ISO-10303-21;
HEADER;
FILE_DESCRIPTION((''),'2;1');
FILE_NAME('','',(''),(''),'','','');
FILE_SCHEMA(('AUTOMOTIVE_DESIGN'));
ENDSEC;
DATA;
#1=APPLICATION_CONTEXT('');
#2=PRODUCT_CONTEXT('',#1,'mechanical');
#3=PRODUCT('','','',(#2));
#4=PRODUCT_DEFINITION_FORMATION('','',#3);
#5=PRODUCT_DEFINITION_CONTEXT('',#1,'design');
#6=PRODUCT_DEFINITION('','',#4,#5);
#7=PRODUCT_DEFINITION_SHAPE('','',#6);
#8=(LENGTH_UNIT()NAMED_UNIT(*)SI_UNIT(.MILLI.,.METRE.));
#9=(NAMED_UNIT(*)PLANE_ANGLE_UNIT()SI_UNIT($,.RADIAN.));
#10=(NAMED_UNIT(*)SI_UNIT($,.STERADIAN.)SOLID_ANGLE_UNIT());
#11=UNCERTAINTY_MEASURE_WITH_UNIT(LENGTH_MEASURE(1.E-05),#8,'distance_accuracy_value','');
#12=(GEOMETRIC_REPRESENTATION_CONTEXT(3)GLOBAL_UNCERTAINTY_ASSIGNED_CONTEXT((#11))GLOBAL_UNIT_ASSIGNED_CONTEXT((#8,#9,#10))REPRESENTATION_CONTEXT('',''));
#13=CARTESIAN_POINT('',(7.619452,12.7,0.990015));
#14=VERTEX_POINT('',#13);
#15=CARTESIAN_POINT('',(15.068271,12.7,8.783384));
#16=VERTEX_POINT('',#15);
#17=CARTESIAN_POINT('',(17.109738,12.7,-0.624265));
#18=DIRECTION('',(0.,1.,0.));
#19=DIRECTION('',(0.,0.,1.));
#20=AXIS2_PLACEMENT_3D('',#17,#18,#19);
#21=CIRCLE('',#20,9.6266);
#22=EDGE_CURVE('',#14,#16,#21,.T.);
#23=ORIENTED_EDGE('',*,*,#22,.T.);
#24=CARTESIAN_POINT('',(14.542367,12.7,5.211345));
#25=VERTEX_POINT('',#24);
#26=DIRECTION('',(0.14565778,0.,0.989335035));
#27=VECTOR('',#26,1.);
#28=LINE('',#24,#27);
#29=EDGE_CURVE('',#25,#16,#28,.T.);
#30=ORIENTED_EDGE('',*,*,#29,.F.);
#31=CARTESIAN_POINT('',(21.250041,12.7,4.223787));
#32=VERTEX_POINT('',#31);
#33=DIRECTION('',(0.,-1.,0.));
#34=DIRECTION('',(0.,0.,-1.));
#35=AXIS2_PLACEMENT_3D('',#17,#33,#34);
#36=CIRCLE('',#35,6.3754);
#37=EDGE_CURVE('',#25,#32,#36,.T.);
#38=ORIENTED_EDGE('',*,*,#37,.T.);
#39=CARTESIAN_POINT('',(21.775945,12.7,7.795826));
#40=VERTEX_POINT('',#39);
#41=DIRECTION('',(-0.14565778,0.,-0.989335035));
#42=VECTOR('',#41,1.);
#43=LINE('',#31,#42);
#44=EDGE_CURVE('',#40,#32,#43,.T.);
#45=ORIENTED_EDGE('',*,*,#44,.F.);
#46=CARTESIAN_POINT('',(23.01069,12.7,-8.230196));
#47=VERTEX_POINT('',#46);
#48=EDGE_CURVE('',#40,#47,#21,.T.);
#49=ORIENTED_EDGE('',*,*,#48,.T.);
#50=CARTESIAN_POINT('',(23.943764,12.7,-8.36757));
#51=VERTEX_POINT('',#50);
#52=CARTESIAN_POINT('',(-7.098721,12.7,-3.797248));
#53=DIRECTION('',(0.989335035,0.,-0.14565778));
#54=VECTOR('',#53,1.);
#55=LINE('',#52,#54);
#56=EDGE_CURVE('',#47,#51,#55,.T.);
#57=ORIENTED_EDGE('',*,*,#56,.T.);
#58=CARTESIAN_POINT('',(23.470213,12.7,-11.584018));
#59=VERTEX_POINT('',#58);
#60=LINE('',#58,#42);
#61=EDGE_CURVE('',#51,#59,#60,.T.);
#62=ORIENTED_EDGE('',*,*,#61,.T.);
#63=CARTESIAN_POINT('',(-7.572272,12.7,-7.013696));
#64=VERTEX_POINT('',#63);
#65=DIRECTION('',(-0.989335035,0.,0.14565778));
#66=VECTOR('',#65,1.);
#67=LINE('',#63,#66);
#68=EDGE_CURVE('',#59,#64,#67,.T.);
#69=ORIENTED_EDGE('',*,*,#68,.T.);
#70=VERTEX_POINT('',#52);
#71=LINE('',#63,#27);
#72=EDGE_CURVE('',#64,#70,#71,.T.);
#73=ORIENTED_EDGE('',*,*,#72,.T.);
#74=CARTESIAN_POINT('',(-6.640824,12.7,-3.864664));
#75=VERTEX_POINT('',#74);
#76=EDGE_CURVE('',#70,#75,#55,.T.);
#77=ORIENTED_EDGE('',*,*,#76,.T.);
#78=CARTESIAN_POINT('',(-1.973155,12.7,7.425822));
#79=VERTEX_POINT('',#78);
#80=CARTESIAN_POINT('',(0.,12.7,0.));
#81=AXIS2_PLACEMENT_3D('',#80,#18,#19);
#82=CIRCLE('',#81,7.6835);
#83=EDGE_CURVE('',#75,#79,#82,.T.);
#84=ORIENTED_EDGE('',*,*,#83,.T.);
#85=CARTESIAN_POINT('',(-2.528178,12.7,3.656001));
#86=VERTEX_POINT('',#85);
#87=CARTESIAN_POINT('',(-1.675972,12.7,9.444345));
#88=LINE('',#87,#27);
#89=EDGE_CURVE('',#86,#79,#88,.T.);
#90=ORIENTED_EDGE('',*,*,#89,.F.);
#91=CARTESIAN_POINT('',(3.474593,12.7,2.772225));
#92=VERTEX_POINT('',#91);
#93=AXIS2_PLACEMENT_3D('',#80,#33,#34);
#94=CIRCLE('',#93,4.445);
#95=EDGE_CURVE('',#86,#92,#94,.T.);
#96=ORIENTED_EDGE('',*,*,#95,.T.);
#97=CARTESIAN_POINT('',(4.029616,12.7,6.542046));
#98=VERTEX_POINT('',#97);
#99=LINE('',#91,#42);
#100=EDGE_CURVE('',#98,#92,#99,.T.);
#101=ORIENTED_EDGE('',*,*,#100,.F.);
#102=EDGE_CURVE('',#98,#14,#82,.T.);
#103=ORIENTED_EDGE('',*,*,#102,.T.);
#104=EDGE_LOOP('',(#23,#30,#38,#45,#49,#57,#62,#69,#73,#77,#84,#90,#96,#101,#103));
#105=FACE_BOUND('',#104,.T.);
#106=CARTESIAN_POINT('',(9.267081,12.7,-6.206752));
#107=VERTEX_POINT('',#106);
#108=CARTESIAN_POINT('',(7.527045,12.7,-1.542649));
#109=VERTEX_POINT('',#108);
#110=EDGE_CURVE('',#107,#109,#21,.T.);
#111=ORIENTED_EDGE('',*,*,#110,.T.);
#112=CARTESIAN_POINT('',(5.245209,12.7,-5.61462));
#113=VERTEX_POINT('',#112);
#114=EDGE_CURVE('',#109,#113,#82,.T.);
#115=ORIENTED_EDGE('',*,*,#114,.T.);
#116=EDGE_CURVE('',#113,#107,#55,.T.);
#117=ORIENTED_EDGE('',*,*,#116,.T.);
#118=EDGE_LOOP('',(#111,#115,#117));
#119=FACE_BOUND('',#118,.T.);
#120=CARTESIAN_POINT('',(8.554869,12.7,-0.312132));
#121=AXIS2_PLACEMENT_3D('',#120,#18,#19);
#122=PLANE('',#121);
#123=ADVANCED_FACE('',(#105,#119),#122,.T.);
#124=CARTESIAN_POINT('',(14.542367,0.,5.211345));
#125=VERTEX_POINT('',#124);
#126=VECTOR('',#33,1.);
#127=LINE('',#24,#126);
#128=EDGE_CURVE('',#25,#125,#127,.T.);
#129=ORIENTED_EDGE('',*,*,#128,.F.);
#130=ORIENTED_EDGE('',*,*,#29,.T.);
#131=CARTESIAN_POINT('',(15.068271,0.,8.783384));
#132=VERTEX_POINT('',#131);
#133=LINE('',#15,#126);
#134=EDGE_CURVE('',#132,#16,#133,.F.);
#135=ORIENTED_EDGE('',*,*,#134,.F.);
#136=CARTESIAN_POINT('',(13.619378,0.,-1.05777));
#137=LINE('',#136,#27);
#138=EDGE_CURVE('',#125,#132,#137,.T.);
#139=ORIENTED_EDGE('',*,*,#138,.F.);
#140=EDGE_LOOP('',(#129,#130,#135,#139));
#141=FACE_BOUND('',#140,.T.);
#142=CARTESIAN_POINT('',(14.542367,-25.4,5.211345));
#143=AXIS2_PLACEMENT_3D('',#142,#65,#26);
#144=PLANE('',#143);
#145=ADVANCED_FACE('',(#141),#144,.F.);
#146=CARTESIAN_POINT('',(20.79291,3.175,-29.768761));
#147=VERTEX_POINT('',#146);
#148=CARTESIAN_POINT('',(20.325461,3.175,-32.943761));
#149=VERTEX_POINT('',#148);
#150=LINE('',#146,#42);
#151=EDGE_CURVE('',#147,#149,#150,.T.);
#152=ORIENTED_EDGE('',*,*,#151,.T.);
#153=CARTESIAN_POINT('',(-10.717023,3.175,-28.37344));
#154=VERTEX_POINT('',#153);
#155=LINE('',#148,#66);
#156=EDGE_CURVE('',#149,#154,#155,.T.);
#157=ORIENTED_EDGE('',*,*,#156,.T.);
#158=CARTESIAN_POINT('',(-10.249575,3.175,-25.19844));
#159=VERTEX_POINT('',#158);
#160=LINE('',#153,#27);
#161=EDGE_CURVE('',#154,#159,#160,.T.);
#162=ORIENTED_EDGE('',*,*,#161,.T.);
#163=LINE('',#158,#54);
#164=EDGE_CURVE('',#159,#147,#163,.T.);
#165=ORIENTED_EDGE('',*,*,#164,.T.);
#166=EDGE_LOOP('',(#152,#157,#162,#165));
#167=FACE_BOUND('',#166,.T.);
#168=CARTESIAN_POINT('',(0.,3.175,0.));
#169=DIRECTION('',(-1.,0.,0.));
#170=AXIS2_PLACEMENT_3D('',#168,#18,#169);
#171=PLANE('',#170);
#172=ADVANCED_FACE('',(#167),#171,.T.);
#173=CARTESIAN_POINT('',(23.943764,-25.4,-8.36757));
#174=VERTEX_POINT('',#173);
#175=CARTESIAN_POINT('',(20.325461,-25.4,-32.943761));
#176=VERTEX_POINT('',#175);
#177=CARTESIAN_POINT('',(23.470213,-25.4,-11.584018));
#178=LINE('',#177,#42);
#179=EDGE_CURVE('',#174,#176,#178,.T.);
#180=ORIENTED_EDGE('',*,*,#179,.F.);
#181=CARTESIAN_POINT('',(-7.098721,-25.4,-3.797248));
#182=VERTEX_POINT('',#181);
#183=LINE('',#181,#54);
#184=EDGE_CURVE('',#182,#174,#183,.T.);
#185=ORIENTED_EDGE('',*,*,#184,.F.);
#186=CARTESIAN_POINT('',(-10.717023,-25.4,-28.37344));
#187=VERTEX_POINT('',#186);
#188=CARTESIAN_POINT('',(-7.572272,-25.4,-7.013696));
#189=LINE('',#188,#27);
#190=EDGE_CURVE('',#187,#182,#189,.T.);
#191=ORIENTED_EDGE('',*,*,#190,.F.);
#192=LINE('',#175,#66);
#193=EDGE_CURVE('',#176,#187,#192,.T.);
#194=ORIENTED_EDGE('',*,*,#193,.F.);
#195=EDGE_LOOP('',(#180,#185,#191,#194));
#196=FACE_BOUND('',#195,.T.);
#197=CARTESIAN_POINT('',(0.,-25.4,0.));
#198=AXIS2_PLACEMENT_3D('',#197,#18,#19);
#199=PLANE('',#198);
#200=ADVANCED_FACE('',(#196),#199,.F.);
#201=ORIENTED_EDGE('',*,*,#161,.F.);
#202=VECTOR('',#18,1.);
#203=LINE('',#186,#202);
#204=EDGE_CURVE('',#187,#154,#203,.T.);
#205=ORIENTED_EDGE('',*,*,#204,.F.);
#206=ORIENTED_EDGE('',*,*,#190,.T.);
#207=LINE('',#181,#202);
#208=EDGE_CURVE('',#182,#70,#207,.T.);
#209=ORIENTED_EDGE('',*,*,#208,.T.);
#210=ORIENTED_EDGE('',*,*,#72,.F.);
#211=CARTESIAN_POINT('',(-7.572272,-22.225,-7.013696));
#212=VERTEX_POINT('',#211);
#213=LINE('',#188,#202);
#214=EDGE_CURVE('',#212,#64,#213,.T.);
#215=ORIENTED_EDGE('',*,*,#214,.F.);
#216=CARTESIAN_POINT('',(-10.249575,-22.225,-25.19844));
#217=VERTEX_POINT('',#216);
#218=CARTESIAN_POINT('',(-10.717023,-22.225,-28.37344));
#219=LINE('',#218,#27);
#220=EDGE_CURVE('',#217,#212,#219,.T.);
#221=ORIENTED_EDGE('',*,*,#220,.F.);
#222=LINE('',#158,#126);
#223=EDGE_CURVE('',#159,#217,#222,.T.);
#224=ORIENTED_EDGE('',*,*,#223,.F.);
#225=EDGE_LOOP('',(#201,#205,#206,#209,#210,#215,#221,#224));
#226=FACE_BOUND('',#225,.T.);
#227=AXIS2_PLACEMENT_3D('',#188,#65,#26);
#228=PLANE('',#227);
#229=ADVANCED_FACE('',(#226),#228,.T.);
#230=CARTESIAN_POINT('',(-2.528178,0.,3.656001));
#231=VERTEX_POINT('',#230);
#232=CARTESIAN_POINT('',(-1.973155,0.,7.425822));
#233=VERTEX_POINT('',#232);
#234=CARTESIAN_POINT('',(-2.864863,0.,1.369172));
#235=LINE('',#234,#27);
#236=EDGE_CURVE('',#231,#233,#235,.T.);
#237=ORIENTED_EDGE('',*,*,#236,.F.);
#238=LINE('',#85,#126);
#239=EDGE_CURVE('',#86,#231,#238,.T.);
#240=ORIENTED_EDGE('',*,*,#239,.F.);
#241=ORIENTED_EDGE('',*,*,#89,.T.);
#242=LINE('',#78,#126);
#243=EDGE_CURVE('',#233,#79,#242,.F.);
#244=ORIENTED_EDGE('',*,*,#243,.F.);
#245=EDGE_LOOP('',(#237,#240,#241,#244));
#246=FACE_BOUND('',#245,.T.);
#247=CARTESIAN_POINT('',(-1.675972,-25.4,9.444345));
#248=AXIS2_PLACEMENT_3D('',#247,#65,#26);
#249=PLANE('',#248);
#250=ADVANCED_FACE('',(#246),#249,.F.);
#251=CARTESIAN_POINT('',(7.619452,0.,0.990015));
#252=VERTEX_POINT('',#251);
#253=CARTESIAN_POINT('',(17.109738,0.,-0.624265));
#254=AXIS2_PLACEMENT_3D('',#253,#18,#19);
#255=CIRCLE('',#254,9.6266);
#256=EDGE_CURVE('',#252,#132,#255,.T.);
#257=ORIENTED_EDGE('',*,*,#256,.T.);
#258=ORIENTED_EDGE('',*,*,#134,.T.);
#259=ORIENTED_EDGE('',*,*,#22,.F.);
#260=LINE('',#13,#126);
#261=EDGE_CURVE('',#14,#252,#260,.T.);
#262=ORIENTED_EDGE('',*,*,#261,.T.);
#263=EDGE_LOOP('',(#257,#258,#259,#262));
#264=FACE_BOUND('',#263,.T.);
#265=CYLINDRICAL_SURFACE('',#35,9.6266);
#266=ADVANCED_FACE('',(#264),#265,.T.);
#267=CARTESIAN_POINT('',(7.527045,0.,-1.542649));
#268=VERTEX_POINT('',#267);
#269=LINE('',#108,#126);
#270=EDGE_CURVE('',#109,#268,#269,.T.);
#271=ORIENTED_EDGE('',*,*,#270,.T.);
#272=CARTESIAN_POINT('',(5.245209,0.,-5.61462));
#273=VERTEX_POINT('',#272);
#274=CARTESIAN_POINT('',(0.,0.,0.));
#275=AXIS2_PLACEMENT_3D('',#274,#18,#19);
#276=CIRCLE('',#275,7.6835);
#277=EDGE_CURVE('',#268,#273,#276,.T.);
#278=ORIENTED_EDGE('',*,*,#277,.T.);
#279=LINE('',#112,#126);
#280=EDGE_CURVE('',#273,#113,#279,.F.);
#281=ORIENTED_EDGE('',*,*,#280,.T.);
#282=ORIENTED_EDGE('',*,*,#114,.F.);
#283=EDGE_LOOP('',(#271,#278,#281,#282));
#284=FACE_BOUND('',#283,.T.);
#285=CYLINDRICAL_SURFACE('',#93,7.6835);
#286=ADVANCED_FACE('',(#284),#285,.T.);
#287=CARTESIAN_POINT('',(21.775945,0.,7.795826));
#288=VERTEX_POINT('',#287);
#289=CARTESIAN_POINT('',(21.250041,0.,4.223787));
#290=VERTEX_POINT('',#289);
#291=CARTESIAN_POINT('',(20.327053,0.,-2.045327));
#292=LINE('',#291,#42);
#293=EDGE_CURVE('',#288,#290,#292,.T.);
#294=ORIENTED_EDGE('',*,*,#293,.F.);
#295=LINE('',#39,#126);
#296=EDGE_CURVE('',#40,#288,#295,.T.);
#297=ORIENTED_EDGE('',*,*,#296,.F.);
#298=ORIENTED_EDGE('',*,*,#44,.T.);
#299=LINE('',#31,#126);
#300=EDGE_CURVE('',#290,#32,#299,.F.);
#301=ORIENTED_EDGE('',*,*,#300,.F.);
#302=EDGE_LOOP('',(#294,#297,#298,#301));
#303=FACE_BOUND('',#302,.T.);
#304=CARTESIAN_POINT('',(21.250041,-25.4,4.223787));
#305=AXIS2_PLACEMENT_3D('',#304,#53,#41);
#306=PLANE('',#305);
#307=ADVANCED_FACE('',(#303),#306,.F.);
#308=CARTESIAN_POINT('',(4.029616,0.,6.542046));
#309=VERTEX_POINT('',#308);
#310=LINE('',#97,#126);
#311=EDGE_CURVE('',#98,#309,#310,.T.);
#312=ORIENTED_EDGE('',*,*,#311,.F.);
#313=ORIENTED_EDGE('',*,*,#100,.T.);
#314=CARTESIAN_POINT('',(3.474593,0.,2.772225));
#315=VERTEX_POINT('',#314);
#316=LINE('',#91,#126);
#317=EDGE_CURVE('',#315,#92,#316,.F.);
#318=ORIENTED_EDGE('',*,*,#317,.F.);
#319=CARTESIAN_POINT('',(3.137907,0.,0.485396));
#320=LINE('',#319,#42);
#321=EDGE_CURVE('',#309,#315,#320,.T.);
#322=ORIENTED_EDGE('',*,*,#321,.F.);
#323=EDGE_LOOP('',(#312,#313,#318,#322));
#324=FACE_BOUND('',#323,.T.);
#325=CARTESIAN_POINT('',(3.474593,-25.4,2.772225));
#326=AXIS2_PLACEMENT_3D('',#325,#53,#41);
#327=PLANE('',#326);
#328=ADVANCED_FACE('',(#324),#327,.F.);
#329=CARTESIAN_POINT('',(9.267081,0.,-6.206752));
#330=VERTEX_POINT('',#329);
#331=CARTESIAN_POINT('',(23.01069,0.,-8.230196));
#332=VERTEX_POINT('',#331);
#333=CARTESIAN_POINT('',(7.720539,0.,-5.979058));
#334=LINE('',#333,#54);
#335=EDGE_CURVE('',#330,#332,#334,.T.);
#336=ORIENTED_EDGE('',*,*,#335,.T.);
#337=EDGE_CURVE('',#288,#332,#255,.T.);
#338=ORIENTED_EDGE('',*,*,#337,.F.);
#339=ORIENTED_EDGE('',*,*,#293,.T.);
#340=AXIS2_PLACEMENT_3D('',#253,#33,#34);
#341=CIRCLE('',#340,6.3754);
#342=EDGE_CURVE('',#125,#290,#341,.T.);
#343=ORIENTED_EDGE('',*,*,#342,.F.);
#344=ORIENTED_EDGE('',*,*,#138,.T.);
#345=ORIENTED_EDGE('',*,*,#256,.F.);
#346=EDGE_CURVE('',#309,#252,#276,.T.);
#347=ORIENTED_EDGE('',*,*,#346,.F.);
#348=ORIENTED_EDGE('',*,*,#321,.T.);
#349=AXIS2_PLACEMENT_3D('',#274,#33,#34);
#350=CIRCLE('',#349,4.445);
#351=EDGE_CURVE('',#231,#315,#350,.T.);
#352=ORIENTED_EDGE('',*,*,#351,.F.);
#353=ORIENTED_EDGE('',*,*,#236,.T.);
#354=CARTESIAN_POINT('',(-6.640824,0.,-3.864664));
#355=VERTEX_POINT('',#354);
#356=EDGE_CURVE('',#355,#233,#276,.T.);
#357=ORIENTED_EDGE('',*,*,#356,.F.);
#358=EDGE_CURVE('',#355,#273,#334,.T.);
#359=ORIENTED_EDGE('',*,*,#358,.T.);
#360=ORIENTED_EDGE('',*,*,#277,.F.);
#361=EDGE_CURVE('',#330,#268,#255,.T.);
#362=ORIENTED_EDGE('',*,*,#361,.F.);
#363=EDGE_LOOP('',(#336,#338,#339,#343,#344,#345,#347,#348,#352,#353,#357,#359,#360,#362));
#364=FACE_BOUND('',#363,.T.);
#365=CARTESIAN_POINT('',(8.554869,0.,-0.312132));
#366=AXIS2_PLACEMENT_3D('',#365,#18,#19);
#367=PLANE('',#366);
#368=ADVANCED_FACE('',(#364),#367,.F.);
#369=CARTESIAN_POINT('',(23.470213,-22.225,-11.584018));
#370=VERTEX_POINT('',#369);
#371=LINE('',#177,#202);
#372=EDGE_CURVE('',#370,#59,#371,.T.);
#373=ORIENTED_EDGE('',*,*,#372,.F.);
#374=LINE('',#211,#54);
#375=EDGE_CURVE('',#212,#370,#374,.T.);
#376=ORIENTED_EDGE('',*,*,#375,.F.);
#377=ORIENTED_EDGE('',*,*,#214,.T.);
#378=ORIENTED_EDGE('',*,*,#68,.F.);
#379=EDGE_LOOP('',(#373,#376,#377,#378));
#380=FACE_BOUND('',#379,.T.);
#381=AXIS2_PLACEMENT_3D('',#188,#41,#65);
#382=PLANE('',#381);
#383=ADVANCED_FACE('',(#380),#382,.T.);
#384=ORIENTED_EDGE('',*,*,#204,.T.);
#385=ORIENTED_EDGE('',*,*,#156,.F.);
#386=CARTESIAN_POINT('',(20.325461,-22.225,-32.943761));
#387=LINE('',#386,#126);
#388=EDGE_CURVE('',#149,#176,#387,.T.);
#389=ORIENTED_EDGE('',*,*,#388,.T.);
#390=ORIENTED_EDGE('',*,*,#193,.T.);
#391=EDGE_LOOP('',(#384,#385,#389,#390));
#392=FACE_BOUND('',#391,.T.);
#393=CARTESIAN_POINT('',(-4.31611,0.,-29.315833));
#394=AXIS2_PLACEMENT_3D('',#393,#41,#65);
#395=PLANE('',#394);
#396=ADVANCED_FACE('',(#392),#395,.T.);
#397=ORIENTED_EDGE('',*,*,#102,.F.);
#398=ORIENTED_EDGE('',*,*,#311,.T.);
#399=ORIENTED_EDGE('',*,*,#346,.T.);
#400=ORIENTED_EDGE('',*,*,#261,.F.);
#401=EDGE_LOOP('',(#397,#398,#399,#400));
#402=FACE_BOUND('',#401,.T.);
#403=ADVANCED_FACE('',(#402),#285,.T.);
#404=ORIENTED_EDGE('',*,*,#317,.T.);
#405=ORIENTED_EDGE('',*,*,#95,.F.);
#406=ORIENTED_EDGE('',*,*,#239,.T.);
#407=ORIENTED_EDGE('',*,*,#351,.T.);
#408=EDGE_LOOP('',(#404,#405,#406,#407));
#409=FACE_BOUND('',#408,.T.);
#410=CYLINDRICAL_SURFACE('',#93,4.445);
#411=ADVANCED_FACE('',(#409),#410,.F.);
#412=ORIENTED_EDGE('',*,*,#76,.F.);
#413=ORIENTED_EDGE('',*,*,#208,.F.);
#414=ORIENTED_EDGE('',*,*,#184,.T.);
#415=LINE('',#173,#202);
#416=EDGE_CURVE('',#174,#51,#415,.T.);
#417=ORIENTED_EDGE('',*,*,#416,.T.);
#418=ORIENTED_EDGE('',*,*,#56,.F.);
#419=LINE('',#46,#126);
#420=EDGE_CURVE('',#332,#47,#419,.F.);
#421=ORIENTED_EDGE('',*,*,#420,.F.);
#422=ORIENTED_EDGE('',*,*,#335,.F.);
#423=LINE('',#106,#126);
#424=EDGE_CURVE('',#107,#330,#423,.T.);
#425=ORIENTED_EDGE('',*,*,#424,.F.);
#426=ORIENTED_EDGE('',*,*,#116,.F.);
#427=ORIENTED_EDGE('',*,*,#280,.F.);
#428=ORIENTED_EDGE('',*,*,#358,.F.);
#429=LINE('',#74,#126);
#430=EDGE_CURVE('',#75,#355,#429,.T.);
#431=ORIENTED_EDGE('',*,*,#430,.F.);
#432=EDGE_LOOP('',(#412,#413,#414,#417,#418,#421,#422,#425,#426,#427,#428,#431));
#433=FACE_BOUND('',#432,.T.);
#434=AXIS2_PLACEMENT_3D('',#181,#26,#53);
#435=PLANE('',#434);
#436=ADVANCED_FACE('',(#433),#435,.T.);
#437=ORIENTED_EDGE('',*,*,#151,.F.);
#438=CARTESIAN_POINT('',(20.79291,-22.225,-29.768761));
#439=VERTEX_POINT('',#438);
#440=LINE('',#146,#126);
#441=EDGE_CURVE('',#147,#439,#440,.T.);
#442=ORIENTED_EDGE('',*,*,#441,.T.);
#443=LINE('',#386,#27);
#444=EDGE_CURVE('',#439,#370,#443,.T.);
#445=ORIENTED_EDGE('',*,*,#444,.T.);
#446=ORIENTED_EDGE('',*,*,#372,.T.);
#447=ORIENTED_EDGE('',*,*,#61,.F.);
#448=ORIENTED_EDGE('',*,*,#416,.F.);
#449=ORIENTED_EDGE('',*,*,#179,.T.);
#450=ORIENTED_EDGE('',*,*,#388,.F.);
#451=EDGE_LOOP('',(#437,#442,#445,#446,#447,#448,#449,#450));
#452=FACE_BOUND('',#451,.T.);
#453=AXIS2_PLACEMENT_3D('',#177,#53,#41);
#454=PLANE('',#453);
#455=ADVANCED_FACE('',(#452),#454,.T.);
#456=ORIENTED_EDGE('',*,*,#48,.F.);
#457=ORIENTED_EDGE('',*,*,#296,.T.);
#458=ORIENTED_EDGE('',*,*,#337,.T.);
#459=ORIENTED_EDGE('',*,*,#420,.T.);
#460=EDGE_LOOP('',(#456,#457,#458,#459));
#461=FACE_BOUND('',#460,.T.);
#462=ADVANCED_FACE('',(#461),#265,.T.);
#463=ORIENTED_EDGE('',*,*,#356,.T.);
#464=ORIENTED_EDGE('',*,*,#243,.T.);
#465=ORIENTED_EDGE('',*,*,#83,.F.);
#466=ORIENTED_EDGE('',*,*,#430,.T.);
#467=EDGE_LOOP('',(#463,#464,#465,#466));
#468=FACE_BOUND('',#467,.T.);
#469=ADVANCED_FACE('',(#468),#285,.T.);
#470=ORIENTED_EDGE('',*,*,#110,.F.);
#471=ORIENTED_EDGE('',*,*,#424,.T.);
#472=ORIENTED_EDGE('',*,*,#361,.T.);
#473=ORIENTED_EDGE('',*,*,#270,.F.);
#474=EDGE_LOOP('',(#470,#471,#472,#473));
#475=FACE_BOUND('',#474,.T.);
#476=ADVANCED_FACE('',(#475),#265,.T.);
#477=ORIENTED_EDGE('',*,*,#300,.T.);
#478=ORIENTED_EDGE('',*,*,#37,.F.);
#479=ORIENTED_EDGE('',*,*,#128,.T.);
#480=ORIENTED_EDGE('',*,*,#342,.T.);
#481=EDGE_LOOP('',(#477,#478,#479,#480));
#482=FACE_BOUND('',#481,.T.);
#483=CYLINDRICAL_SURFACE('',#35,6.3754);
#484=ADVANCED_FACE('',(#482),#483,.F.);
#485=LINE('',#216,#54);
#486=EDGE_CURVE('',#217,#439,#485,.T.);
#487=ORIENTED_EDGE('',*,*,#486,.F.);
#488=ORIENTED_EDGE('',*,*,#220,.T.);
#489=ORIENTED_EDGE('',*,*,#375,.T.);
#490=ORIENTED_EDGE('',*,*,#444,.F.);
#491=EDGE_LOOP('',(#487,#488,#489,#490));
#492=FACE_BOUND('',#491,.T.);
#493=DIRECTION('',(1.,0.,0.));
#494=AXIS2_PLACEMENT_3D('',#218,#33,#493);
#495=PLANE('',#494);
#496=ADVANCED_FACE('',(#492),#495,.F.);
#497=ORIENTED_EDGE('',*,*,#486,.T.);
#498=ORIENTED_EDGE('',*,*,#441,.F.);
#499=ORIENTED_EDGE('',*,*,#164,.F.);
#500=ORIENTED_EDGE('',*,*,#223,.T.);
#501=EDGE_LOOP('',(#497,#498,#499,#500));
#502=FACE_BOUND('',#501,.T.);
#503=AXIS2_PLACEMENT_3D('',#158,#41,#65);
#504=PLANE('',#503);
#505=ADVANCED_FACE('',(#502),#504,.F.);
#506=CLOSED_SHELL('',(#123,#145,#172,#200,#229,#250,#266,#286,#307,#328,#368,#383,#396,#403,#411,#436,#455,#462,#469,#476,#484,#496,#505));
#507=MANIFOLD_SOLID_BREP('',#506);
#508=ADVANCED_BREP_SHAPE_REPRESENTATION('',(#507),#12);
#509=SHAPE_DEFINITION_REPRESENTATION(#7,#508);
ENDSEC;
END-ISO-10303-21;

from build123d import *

# Parameters (mm, degrees)
BOSS_EXTRUDE1_DEPTH = 12.7
SKETCH2_R           = 4.445
SKETCH2_R_2         = 6.3754
CUT_EXTRUDE1_DEPTH  = 32.324143561
BOSS_EXTRUDE2_DEPTH = 38.1
SKETCH6_W           = 31.377120578
SKETCH6_H           = 3.175
BOSS_EXTRUDE5_DEPTH = 21.59
BOSS_EXTRUDE6_DEPTH = 25.4
CUT_EXTRUDE3_DEPTH  = 58.023970058


with BuildPart() as part:
    # Sketch1 → Boss-Extrude1 (new body)
    with BuildSketch(Plane(origin=(0, 0, 0), x_dir=(1, 0, 0), z_dir=(0, 1, 0))):
        with BuildLine():
            ThreePointArc((7.527044942, 1.542649246), (-7.678390875, -0.2801532), (7.619451552, -0.990015299))
            ThreePointArc((7.619451552, -0.990015299), (26.729936345, 0.975266474), (7.527044942, 1.542649246))
        make_face()
    extrude(amount=BOSS_EXTRUDE1_DEPTH)

    # Sketch2 → Cut-Extrude1 (cut, through all)
    with BuildSketch(Plane.XZ):
        with Locations(Location((0, 0, 0), (0, 0, 270))):
            Circle(SKETCH2_R)
        with Locations(Location((17.109737529, -0.624264614, 0), (0, 0, 270))):
            Circle(SKETCH2_R_2)
    extrude(amount=-CUT_EXTRUDE1_DEPTH, mode=Mode.SUBTRACT)

    # Sketch3 → Boss-Extrude2 (add)
    with BuildSketch(Plane(origin=(0, 12.7, 0), x_dir=(1, 0, 0), z_dir=(0, 1, 0))):
        Polygon((-7.5722719, 7.013696287), (23.470212778, 11.584018023), (23.943763832, 8.367570213), (-7.098720846, 3.797248478), align=None)
    extrude(amount=-BOSS_EXTRUDE2_DEPTH)

    # Sketch6 → Boss-Extrude5 (add)
    with BuildSketch(Plane(origin=(-1.171358862, 0, -7.956089665), x_dir=(-0.989335034779027, 0, 0.14565778028921603), z_dir=(-0.14565778028921603, 0, -0.989335034779027))):
        with Locations((-9.218645838, -23.8125)):
            Rectangle(SKETCH6_W, SKETCH6_H)
    extrude(amount=BOSS_EXTRUDE5_DEPTH)

    # Sketch7 → Boss-Extrude6 (add)
    with BuildSketch(Plane(origin=(0, -22.225, 0), x_dir=(1, 0, 0), z_dir=(0, 1, 0))):
        Polygon((-10.717023377, 28.373439688), (-10.249574599, 25.198439688), (20.792910079, 29.768761424), (20.325461302, 32.943761424), align=None)
    extrude(amount=BOSS_EXTRUDE6_DEPTH)

    # Sketch8 → Cut-Extrude3 (cut, through all)
    with BuildSketch(Plane(origin=(0, 12.7, 0), x_dir=(1, 0, 0), z_dir=(0, 1, 0))):
        Polygon((-2.52817795, -3.656000718), (3.474592527, -2.772225058), (4.3267986, -8.560568969), (-1.675971877, -9.444344629), align=None)
        Polygon((14.542367287, -5.211344626), (21.250041443, -4.223787434), (21.957699633, -9.030334935), (15.250025476, -10.017892127), align=None)
    extrude(amount=-CUT_EXTRUDE3_DEPTH, mode=Mode.SUBTRACT)


solid = part.part
